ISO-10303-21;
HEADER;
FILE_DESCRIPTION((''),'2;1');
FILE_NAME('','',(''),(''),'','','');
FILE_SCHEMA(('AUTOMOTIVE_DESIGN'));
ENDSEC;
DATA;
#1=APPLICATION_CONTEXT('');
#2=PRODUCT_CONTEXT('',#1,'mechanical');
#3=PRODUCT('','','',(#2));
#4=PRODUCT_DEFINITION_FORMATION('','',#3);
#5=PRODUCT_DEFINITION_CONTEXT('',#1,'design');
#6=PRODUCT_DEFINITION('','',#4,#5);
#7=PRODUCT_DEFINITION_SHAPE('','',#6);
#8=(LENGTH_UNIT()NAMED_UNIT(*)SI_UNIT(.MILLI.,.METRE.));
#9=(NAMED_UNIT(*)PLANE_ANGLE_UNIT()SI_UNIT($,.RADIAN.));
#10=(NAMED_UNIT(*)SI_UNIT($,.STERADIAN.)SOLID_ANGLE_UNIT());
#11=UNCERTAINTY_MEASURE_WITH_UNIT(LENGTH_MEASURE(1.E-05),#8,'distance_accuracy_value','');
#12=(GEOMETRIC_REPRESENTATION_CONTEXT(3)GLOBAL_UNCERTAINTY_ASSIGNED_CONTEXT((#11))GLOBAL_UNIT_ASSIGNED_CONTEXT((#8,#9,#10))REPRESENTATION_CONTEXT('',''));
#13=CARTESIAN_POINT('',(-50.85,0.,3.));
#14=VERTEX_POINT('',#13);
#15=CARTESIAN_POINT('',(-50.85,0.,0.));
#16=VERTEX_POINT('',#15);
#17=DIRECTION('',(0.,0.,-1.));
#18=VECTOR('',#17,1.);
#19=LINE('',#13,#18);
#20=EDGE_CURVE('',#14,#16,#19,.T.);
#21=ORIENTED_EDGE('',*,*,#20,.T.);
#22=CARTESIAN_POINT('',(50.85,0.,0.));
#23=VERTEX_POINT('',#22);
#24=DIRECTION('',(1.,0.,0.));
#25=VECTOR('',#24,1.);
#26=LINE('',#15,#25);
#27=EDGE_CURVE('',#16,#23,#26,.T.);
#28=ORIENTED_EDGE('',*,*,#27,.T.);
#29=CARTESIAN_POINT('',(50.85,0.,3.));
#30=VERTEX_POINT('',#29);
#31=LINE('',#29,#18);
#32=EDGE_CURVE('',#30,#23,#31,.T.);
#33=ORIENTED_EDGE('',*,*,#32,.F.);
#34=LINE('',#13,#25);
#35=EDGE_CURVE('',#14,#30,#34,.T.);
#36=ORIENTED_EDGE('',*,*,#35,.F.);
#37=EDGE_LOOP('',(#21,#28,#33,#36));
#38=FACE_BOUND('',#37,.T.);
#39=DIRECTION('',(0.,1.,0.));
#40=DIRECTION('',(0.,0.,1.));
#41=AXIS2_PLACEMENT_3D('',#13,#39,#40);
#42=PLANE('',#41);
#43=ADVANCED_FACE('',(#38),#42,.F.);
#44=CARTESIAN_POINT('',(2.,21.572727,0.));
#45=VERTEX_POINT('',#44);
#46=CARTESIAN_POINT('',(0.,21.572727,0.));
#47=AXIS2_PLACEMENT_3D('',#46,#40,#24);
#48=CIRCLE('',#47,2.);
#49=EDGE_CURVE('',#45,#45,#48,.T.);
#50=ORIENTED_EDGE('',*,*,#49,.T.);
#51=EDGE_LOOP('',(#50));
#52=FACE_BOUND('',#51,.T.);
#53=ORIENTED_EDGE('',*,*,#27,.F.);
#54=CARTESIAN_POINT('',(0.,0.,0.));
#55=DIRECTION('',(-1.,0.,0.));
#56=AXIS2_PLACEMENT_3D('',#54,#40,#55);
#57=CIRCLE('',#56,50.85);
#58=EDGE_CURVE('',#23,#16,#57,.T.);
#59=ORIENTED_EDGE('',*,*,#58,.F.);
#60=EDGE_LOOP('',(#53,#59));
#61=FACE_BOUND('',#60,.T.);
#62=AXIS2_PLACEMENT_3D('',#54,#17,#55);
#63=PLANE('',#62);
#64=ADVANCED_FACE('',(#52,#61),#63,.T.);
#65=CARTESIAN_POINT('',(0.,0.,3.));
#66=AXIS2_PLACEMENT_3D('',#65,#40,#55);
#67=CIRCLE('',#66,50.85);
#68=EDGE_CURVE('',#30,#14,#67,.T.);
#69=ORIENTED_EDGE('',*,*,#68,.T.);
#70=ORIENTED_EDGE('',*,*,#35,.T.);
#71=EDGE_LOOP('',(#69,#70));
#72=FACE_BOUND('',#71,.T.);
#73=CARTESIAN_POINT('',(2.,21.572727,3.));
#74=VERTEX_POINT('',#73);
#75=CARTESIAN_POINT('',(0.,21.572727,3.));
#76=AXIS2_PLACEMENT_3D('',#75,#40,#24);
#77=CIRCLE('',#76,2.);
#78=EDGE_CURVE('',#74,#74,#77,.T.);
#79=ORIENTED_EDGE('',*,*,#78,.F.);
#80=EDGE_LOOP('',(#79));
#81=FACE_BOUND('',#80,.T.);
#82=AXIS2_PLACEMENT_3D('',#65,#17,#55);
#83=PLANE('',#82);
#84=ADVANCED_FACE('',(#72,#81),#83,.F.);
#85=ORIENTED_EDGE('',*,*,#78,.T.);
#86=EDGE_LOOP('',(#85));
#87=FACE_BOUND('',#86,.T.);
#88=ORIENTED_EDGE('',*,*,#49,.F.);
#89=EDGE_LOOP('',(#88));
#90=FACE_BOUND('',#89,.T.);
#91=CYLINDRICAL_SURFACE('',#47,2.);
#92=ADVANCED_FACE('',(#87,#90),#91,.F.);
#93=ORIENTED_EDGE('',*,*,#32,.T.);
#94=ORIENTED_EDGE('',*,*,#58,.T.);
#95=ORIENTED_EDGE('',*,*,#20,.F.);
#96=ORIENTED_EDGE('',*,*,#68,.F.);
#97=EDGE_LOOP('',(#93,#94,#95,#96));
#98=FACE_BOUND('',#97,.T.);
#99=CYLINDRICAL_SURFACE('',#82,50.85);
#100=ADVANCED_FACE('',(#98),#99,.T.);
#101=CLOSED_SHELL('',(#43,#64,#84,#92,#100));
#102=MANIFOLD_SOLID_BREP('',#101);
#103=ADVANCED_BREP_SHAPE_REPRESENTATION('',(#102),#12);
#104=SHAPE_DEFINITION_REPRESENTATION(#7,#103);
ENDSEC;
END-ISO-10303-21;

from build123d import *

# Parameters (mm, degrees)
BOSS_EXTRUDE1_DEPTH = 3
SKETCH2_R           = 2
CUT_EXTRUDE1_DEPTH  = 72.975308266


with BuildPart() as part:
    # Sketch1 → Boss-Extrude1 (new body)
    with BuildSketch(Plane.XY):
        with BuildLine():
            Line((-50.85, 0), (50.85, 0))
            ThreePointArc((50.85, 0), (0, 50.85), (-50.85, 0))
        make_face()
    extrude(amount=BOSS_EXTRUDE1_DEPTH)

    # Sketch2 → Cut-Extrude1 (cut, through all)
    with BuildSketch(Plane.XY.offset(3)):
        with Locations((0, 21.572727273)):
            Circle(SKETCH2_R)
    extrude(amount=-CUT_EXTRUDE1_DEPTH, mode=Mode.SUBTRACT)


solid = part.part
